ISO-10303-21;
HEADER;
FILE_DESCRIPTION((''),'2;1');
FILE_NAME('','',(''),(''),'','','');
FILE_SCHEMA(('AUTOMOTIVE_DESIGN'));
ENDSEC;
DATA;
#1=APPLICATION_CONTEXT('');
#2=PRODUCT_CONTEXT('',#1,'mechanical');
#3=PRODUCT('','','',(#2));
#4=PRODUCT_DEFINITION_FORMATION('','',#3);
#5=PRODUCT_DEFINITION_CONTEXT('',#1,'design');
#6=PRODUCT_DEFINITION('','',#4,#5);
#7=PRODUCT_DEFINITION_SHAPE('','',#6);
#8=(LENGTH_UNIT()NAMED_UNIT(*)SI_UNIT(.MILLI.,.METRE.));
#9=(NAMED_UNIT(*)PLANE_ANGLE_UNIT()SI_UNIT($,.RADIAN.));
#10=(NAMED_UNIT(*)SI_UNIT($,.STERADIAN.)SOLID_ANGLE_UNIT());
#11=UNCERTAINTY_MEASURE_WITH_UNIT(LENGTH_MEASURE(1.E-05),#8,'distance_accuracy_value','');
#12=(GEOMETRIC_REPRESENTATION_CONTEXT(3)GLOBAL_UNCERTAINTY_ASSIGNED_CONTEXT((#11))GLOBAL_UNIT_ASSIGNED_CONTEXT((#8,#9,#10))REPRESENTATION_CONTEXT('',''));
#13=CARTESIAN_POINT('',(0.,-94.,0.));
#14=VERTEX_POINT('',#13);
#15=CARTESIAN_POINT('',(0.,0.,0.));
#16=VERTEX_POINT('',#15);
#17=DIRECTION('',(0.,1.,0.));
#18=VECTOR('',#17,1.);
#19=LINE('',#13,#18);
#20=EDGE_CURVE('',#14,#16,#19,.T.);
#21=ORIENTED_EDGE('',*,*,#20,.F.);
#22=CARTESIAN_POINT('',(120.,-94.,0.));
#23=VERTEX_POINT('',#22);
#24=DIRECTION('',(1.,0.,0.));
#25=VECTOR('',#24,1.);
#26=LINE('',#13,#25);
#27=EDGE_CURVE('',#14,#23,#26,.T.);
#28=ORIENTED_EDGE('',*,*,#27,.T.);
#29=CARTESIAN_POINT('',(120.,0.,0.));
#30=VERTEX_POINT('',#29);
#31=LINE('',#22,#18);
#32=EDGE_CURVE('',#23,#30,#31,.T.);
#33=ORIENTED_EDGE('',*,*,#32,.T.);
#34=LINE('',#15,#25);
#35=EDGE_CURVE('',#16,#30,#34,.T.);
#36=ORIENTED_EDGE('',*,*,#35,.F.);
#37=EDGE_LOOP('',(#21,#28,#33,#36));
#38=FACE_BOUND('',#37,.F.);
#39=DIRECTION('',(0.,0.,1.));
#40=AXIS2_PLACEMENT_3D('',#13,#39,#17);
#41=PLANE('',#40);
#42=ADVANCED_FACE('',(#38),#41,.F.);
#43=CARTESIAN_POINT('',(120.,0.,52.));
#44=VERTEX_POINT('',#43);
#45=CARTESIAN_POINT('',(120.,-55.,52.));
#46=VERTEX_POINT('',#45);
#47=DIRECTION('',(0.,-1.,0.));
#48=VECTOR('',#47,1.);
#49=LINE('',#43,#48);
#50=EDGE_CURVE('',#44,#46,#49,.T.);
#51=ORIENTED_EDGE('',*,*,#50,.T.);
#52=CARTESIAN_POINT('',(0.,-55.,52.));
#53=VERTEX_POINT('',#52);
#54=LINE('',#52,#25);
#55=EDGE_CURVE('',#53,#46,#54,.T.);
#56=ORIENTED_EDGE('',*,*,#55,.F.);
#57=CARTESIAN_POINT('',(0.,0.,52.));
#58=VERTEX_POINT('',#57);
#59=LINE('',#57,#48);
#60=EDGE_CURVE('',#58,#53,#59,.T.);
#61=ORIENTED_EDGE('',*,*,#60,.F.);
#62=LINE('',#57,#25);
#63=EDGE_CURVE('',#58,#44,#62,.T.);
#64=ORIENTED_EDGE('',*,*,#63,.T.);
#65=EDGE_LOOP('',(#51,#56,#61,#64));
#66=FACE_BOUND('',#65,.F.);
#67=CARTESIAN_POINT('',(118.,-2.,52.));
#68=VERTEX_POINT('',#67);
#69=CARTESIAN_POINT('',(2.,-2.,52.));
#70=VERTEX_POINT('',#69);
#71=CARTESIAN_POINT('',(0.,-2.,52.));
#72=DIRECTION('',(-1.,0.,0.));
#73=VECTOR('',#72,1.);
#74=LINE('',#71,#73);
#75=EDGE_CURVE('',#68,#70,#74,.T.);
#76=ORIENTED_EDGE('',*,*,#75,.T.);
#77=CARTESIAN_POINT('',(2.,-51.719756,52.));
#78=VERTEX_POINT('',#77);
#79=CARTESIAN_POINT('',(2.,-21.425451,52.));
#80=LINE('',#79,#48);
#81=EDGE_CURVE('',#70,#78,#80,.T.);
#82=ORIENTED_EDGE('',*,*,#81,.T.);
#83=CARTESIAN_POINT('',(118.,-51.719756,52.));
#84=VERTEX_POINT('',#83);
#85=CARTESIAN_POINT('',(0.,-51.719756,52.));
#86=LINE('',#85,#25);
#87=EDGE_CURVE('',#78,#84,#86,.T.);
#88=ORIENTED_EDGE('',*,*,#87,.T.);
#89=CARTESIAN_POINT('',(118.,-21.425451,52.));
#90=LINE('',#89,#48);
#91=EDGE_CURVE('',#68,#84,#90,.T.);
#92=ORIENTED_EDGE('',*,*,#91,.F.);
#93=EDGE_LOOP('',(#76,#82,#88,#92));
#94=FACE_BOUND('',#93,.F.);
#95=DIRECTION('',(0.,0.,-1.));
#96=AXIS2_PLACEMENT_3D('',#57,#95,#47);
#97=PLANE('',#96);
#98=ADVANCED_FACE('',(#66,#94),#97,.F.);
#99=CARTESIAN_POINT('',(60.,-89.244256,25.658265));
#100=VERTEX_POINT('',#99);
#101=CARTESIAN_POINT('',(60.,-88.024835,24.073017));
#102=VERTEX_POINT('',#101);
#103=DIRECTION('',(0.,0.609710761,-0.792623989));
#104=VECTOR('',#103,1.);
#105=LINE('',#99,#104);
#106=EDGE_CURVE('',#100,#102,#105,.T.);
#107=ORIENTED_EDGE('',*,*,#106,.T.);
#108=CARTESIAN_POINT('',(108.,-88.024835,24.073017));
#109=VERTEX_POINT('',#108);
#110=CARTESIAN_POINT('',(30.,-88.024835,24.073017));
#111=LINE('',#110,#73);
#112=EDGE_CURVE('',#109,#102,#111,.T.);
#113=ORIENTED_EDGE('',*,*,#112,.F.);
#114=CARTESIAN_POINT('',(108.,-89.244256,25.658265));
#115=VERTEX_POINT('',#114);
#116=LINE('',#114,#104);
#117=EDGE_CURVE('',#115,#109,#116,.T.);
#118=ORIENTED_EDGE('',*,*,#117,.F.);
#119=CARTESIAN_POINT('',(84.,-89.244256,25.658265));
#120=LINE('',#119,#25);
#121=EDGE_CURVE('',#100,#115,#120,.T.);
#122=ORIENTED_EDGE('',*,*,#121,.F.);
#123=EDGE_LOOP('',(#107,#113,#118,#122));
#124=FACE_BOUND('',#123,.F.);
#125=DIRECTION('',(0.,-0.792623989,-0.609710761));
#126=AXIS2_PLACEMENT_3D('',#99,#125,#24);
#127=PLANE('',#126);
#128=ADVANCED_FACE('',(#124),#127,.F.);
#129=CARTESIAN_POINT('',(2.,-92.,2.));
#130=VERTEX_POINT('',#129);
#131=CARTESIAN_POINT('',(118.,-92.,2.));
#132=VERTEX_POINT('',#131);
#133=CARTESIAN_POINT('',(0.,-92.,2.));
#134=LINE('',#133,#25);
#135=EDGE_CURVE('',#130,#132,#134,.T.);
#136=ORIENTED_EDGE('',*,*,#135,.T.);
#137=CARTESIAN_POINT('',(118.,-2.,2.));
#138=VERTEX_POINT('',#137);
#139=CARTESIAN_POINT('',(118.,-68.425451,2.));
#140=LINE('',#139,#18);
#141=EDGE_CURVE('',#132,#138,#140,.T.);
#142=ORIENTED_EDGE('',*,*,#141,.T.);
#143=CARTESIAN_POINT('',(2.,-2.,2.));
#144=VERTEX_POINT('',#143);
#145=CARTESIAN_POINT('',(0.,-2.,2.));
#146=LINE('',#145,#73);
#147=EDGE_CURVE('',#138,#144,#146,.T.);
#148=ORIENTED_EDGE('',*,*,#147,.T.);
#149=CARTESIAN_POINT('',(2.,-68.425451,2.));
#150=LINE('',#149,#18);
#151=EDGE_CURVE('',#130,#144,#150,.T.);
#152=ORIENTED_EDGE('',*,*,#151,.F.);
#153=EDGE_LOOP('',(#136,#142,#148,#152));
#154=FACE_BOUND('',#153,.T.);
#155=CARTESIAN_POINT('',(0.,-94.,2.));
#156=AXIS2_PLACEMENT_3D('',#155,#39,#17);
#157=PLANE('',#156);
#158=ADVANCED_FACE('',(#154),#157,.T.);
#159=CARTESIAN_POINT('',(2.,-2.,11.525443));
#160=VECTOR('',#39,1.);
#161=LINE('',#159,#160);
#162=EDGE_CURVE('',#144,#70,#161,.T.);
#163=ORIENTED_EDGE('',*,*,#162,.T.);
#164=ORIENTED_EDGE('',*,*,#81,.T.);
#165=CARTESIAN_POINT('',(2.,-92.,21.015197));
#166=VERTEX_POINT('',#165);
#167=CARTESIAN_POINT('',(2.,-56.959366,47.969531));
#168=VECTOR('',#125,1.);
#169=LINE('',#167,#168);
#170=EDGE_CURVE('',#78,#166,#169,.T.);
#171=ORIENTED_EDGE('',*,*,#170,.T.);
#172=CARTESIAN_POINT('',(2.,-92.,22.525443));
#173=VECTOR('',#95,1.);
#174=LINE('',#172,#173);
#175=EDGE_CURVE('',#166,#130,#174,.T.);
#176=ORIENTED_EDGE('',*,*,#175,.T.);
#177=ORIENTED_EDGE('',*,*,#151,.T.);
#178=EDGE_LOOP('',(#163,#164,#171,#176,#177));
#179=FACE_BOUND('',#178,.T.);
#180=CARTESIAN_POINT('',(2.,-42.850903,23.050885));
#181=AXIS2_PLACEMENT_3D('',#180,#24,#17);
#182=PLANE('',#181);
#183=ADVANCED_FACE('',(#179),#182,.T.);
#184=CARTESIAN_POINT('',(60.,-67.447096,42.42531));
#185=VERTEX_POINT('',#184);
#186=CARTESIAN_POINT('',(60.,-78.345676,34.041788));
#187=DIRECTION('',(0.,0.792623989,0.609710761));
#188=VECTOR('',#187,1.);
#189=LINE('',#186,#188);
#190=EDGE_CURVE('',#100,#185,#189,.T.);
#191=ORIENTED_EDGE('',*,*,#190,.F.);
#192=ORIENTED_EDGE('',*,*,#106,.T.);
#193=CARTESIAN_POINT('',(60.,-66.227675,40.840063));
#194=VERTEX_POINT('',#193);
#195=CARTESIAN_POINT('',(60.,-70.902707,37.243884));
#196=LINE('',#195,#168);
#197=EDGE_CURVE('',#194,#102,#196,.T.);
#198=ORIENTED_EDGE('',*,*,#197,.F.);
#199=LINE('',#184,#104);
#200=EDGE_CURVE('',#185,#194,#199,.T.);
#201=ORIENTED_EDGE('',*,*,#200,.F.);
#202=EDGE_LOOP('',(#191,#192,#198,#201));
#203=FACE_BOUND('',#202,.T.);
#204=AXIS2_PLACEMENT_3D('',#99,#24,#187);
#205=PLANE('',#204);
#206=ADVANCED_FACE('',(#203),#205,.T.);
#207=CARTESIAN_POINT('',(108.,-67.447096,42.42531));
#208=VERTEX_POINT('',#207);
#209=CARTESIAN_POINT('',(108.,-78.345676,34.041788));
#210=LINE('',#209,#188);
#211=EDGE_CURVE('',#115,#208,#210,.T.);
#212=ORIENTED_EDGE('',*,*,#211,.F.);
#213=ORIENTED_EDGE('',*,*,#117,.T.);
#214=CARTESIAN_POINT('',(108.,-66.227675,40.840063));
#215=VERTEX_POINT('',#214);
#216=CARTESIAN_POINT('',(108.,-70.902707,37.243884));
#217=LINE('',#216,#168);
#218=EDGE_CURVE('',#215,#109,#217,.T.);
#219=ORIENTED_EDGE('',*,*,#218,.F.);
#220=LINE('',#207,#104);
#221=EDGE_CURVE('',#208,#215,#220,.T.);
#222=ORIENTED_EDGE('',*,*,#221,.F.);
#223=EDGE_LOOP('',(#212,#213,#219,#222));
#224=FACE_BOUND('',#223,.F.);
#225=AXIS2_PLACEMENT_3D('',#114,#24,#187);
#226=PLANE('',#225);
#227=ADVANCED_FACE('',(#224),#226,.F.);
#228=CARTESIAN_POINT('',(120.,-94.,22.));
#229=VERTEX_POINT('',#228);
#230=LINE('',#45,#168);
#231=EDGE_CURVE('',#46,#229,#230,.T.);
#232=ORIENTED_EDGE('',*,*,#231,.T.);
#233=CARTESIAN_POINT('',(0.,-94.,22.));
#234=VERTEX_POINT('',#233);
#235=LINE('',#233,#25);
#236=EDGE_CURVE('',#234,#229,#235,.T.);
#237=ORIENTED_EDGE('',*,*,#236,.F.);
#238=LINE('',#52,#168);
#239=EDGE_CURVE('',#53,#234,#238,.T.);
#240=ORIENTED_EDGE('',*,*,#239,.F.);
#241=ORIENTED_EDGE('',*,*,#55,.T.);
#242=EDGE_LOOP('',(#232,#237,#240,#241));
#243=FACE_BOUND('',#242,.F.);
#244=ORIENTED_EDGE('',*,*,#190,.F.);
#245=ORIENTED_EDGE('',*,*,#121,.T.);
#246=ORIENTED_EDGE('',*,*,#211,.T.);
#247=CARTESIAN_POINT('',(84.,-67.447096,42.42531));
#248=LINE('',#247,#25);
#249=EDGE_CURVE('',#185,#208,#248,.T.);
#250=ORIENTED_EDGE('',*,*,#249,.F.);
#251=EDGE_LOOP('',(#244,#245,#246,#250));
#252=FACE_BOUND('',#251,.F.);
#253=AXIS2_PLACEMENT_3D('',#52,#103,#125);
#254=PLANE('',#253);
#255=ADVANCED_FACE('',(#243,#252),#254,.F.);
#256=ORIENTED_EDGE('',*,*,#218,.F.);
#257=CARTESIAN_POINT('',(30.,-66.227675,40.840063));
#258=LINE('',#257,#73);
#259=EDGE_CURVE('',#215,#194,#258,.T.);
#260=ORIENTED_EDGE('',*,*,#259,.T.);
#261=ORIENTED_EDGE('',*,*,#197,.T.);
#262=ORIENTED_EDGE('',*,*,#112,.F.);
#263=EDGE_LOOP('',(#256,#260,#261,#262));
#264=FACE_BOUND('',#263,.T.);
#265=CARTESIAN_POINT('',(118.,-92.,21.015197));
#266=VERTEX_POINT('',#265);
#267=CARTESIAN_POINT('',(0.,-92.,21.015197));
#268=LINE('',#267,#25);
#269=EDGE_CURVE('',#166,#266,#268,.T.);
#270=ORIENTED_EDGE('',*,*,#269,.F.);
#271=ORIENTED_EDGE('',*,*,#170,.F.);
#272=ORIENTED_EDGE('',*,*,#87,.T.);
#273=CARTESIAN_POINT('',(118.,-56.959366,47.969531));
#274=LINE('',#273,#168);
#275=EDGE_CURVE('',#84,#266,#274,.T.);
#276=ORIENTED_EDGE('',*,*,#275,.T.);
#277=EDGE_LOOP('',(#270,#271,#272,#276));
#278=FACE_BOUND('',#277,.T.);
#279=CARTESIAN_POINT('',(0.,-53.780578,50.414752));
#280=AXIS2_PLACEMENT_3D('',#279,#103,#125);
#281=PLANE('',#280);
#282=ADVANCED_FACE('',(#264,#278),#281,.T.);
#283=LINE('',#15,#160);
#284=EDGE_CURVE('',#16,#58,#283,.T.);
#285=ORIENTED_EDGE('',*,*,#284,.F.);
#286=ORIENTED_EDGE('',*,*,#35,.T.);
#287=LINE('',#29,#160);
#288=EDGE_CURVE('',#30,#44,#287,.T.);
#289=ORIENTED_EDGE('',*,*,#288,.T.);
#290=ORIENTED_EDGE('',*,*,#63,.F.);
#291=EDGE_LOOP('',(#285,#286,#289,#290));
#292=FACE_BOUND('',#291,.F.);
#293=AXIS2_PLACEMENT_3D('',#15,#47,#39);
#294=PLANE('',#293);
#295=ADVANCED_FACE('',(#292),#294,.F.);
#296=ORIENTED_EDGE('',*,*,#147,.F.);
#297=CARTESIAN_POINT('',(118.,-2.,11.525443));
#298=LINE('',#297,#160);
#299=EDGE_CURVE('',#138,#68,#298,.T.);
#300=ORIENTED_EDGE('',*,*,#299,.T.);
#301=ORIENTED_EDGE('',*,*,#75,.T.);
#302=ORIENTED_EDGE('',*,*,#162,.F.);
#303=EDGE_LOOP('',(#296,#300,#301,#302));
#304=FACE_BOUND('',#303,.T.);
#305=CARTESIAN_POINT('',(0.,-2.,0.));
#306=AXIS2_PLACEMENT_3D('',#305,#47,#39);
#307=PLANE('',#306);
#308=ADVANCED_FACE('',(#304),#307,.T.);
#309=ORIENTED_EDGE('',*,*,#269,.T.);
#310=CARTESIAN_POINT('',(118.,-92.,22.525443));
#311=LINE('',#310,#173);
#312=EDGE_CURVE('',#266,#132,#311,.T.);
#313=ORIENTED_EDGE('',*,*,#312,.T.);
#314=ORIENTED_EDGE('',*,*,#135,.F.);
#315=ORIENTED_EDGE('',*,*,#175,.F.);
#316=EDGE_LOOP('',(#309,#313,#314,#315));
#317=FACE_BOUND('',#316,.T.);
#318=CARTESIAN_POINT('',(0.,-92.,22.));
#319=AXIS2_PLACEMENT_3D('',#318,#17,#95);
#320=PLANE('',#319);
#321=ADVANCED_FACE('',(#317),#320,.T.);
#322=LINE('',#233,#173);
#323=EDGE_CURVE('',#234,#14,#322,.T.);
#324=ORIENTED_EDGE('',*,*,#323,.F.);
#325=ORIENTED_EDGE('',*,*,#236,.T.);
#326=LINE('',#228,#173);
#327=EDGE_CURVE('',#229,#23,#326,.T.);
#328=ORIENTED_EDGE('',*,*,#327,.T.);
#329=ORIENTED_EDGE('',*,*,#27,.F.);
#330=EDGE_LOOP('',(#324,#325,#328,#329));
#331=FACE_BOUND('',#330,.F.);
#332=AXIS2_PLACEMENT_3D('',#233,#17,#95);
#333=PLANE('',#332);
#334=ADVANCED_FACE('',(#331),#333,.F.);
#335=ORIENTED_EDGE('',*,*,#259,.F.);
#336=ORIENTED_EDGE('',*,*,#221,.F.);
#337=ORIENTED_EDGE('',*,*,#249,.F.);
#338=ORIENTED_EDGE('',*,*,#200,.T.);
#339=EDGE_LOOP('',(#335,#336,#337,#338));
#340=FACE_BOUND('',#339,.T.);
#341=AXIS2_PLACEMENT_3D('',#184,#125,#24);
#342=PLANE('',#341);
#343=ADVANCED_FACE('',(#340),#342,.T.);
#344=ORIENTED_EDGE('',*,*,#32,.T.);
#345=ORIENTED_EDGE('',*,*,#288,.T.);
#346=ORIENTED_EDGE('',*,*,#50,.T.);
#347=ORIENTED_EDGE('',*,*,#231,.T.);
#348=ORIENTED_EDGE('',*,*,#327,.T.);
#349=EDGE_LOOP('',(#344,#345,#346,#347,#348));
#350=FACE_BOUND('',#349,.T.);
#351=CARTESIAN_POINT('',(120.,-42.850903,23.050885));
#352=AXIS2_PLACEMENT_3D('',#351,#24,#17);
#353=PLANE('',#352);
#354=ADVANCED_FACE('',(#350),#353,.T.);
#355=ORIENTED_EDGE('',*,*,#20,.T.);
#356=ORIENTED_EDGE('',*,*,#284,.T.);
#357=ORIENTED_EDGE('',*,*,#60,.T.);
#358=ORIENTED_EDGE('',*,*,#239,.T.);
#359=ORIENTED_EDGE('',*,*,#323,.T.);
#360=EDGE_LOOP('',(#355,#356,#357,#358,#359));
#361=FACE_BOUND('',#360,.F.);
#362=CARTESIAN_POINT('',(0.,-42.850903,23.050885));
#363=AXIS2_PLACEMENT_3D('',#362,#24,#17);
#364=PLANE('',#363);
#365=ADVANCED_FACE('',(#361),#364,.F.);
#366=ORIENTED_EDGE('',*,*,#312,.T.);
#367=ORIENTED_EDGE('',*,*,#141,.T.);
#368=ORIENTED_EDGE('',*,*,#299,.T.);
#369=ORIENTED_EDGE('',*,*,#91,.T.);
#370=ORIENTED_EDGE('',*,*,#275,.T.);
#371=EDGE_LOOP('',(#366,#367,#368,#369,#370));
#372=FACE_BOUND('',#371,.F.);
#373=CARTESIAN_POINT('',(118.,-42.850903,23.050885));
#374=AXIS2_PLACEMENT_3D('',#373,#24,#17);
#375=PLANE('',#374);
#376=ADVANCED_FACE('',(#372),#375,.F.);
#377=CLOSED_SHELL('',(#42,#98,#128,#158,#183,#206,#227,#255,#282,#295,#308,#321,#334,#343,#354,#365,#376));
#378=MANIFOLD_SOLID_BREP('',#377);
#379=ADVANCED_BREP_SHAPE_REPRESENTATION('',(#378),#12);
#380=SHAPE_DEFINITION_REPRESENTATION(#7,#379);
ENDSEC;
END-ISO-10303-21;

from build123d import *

# Parameters (mm, degrees)
F1_DEPTH = 120
F2_T     = -2
F3_W     = 48
F3_H     = 27.5
F4_DEPTH = 3


with BuildPart() as f1:
    # F0 (on Right) → F1 (new body)
    with BuildSketch(Plane.YZ):
        Polygon((0, 0), (0, 52), (-55, 52), (-94, 22), (-94, 0), align=None)
    extrude(amount=F1_DEPTH)

    # F2
    f2_openings = [f1.faces().sort_by_distance(p)[0] for p in [
        (60, -27.5, 52),
    ]]
    offset(amount=F2_T, openings=f2_openings, kind=Kind.INTERSECTION)

    # F3 (on face) → F4 (cut)
    with BuildSketch(Plane(origin=(0, -45.5762081784, 59.249070632), x_dir=(1, 0, 0), z_dir=(0, -0.6097107608, 0.7926239891))):
        with Locations((84, -41.3430182371)):
            Rectangle(F3_W, F3_H)
    extrude(amount=-F4_DEPTH, mode=Mode.SUBTRACT)


solid = f1.part
